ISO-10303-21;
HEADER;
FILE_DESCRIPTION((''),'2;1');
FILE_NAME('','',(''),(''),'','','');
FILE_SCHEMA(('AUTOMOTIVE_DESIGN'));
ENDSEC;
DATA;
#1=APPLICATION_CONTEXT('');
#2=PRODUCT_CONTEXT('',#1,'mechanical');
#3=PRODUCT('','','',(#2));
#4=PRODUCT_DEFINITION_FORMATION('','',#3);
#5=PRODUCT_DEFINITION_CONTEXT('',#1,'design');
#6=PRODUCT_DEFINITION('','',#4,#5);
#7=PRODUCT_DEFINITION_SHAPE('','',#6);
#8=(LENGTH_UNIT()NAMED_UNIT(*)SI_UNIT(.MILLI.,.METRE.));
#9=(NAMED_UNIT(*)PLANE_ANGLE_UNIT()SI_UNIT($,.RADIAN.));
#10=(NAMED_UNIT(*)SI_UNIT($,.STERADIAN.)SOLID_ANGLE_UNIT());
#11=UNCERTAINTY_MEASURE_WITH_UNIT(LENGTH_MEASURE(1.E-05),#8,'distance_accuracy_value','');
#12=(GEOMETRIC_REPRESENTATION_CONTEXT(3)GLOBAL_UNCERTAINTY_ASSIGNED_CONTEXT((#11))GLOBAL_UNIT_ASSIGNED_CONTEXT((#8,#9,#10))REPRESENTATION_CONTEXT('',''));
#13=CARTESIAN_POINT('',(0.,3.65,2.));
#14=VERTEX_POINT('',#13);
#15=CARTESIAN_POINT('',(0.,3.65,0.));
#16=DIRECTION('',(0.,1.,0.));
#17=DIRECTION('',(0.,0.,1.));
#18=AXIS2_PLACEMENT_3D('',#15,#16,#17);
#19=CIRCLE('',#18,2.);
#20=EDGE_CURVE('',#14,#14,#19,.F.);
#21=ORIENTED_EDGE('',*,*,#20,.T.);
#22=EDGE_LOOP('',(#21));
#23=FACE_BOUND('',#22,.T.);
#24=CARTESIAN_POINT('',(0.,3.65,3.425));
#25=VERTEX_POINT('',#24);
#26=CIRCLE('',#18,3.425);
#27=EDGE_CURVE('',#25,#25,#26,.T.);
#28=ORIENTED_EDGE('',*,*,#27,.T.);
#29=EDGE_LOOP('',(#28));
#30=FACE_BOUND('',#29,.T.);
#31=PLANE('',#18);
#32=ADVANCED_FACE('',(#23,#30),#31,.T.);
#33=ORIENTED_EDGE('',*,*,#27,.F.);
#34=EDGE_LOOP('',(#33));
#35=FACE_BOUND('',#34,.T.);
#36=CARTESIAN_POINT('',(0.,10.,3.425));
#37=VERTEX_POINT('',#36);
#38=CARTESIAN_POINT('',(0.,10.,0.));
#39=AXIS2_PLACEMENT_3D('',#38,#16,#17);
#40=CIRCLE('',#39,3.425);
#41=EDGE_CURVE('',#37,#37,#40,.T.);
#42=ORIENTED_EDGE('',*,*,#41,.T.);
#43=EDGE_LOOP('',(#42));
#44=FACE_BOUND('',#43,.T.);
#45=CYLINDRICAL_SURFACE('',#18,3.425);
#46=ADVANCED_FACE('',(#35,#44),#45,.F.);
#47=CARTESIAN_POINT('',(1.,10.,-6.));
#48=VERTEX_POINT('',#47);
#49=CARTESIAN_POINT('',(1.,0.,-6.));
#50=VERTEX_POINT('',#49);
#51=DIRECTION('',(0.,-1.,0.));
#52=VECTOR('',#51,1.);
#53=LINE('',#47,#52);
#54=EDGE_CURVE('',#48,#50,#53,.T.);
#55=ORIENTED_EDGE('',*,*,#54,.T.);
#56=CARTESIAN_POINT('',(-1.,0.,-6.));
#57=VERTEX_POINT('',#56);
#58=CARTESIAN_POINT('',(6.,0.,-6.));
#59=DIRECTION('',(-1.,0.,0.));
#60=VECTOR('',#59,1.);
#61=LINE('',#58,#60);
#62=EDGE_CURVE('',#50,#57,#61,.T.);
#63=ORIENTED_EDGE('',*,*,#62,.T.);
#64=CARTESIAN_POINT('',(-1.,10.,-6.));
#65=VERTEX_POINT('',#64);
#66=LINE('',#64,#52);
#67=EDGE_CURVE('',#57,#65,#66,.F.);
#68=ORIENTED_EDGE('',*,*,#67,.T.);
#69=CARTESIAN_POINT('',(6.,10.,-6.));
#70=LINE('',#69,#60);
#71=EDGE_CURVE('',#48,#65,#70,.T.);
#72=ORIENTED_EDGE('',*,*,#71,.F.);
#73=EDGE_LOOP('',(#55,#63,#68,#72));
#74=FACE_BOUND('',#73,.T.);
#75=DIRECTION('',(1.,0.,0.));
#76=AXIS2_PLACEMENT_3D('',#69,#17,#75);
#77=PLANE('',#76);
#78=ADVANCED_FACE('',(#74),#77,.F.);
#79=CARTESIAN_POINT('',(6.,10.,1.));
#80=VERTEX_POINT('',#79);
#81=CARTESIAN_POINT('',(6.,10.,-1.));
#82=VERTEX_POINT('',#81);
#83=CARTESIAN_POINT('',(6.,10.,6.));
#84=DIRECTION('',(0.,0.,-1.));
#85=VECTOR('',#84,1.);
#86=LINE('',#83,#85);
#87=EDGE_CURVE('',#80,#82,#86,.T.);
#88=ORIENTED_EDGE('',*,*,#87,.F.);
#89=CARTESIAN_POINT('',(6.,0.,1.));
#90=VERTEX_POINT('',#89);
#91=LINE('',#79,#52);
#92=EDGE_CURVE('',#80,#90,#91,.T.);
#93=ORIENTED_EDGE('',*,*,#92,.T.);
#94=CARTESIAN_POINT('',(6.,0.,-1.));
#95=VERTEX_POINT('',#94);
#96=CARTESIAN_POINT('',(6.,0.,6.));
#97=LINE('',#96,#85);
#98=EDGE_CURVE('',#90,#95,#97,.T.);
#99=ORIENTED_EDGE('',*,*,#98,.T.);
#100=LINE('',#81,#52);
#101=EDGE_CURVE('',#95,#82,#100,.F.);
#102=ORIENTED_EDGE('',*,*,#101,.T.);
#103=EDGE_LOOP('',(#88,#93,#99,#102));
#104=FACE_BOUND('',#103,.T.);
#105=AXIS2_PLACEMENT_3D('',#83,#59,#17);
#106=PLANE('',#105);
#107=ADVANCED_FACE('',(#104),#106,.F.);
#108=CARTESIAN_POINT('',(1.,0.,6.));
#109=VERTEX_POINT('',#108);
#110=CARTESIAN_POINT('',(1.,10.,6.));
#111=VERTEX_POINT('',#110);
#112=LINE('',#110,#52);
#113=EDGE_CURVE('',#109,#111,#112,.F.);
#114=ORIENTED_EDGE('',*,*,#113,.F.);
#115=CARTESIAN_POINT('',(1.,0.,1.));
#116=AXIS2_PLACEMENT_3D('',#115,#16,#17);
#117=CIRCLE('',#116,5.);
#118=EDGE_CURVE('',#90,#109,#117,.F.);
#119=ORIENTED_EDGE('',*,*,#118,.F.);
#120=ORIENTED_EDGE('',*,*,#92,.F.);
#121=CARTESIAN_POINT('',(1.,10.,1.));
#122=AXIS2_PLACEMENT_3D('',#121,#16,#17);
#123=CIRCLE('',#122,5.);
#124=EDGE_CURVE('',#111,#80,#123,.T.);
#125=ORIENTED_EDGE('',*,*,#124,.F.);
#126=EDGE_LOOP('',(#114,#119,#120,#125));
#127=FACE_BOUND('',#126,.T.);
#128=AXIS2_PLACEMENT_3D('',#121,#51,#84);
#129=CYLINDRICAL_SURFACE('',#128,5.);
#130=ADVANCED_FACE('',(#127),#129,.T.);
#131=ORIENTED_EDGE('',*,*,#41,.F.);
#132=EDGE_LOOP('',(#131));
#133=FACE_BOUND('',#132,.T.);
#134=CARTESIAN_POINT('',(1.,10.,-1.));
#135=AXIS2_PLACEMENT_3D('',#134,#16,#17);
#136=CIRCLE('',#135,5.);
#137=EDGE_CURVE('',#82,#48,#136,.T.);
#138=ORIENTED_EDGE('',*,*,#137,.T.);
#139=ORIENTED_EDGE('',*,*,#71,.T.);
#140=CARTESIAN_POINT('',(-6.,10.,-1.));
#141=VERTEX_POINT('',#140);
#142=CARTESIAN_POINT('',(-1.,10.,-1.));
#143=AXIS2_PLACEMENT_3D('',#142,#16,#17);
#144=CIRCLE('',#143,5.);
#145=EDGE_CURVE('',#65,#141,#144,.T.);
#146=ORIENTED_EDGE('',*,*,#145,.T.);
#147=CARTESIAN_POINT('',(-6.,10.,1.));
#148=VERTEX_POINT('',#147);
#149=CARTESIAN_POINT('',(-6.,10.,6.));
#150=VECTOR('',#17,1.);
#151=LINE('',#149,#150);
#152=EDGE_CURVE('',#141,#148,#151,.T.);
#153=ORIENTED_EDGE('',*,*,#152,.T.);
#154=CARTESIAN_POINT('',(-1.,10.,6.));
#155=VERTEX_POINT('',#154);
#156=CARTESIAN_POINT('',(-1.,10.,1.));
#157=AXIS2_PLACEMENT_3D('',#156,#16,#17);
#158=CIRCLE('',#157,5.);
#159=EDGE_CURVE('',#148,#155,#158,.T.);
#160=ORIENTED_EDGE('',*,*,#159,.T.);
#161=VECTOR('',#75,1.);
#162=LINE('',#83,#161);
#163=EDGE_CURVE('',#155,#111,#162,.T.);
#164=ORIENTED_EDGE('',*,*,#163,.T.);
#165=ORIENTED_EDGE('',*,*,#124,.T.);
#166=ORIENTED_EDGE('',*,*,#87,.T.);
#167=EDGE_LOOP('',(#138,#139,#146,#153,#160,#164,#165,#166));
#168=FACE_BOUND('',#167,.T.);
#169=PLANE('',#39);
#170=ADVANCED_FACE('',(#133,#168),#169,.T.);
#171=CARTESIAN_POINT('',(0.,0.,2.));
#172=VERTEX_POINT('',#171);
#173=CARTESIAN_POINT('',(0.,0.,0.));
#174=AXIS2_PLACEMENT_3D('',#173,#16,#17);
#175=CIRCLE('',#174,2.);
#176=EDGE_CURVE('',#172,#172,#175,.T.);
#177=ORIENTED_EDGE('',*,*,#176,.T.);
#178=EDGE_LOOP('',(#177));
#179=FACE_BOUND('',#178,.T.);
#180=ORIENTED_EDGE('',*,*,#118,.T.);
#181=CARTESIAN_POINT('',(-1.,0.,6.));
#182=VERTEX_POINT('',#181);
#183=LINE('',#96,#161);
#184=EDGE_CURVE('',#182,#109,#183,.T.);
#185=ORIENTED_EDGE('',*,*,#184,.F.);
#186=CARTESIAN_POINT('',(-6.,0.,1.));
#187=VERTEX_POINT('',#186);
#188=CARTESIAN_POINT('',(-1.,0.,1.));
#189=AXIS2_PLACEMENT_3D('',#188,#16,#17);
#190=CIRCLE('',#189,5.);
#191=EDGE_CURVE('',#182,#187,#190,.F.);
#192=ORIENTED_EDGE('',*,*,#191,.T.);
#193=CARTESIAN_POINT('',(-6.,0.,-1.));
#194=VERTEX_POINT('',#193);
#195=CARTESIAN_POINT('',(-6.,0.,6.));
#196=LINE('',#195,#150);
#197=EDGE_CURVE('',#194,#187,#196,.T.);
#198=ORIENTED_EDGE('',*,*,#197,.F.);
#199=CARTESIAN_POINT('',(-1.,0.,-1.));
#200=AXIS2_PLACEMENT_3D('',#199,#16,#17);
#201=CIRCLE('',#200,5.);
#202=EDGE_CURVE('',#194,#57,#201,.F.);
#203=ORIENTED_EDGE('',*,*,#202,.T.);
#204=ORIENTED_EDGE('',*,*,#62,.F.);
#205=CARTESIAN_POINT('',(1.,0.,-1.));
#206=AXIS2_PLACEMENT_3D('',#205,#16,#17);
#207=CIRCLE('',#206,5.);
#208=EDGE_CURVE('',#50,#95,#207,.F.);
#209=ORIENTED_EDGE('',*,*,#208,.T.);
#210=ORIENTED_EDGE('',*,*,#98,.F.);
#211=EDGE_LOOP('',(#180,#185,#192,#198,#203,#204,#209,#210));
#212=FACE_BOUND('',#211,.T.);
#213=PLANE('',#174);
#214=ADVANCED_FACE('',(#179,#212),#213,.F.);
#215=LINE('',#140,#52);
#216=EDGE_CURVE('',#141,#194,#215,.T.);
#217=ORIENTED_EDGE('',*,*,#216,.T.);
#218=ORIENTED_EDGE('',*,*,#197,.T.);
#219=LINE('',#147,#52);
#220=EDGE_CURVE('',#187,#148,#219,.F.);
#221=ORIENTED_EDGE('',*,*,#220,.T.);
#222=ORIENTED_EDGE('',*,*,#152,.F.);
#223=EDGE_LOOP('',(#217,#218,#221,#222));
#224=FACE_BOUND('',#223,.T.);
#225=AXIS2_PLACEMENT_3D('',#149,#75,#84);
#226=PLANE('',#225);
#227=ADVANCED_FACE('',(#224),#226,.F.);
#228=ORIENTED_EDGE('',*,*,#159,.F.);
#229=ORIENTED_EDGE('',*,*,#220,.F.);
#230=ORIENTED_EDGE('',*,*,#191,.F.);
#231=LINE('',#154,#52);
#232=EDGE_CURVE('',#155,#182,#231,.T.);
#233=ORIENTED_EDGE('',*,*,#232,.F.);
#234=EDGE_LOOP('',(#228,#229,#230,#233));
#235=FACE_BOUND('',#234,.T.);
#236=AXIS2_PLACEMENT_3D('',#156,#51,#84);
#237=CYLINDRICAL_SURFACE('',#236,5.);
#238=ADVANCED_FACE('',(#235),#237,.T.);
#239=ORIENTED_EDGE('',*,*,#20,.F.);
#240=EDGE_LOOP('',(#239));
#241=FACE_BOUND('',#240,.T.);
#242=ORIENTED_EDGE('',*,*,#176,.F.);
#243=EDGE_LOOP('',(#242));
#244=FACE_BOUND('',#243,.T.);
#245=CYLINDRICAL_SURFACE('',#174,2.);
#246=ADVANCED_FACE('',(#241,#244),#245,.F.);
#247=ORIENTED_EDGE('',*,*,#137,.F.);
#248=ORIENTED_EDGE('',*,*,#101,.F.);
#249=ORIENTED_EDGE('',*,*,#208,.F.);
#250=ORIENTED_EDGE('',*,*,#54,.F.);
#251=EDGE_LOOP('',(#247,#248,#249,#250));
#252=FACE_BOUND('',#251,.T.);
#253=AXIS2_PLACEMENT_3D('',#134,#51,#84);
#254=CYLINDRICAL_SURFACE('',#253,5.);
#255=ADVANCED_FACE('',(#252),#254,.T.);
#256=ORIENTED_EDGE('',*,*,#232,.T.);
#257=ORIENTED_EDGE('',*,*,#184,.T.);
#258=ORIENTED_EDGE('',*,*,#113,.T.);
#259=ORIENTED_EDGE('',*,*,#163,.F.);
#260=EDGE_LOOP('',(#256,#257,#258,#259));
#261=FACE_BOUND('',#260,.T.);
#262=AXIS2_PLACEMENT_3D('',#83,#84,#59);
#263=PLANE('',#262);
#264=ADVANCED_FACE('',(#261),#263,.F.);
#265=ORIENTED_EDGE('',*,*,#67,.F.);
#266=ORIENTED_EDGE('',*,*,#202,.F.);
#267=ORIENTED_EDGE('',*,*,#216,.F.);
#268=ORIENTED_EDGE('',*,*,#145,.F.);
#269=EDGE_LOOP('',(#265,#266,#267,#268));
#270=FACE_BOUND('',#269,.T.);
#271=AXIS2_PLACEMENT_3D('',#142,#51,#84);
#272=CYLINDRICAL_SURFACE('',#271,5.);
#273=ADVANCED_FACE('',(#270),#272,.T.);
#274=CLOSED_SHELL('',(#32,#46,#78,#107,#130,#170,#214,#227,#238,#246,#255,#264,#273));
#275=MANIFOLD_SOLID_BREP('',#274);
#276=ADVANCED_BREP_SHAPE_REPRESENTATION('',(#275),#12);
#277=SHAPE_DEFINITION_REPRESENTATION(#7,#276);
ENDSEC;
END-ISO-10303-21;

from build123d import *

# Parameters (mm, degrees)
SKETCH1_W           = 12
SKETCH1_H           = 12
BOSS_EXTRUDE1_DEPTH = 10
FILLET1_R           = 5
SKETCH2_R           = 2
CUT_EXTRUDE1_DEPTH  = 11
SKETCH3_R           = 3.425
CUT_EXTRUDE2_DEPTH  = 6.35


with BuildPart() as part:
    # Sketch1 → Boss-Extrude1 (new body)
    with BuildSketch(Plane(origin=(0, 0, 0), x_dir=(1, 0, 0), z_dir=(0, 1, 0))):
        Rectangle(SKETCH1_W, SKETCH1_H)
    extrude(amount=BOSS_EXTRUDE1_DEPTH)

    # Fillet1
    fillet1_edges = [part.edges().sort_by_distance(p)[0] for p in [
        (-6, 5, -6),
        (6, 5, -6),
        (6, 5, 6),
        (-6, 5, 6),
    ]]
    fillet(fillet1_edges, radius=FILLET1_R)

    # Sketch2 → Cut-Extrude1 (cut, through all)
    with BuildSketch(Plane(origin=(0, 10, 0), x_dir=(1, 0, 0), z_dir=(0, 1, 0))):
        Circle(SKETCH2_R)
    extrude(amount=-CUT_EXTRUDE1_DEPTH, mode=Mode.SUBTRACT)

    # Sketch3 → Cut-Extrude2 (cut)
    with BuildSketch(Plane(origin=(0, 10, 0), x_dir=(1, 0, 0), z_dir=(0, 1, 0))):
        Circle(SKETCH3_R)
    extrude(amount=-CUT_EXTRUDE2_DEPTH, mode=Mode.SUBTRACT)


solid = part.part
